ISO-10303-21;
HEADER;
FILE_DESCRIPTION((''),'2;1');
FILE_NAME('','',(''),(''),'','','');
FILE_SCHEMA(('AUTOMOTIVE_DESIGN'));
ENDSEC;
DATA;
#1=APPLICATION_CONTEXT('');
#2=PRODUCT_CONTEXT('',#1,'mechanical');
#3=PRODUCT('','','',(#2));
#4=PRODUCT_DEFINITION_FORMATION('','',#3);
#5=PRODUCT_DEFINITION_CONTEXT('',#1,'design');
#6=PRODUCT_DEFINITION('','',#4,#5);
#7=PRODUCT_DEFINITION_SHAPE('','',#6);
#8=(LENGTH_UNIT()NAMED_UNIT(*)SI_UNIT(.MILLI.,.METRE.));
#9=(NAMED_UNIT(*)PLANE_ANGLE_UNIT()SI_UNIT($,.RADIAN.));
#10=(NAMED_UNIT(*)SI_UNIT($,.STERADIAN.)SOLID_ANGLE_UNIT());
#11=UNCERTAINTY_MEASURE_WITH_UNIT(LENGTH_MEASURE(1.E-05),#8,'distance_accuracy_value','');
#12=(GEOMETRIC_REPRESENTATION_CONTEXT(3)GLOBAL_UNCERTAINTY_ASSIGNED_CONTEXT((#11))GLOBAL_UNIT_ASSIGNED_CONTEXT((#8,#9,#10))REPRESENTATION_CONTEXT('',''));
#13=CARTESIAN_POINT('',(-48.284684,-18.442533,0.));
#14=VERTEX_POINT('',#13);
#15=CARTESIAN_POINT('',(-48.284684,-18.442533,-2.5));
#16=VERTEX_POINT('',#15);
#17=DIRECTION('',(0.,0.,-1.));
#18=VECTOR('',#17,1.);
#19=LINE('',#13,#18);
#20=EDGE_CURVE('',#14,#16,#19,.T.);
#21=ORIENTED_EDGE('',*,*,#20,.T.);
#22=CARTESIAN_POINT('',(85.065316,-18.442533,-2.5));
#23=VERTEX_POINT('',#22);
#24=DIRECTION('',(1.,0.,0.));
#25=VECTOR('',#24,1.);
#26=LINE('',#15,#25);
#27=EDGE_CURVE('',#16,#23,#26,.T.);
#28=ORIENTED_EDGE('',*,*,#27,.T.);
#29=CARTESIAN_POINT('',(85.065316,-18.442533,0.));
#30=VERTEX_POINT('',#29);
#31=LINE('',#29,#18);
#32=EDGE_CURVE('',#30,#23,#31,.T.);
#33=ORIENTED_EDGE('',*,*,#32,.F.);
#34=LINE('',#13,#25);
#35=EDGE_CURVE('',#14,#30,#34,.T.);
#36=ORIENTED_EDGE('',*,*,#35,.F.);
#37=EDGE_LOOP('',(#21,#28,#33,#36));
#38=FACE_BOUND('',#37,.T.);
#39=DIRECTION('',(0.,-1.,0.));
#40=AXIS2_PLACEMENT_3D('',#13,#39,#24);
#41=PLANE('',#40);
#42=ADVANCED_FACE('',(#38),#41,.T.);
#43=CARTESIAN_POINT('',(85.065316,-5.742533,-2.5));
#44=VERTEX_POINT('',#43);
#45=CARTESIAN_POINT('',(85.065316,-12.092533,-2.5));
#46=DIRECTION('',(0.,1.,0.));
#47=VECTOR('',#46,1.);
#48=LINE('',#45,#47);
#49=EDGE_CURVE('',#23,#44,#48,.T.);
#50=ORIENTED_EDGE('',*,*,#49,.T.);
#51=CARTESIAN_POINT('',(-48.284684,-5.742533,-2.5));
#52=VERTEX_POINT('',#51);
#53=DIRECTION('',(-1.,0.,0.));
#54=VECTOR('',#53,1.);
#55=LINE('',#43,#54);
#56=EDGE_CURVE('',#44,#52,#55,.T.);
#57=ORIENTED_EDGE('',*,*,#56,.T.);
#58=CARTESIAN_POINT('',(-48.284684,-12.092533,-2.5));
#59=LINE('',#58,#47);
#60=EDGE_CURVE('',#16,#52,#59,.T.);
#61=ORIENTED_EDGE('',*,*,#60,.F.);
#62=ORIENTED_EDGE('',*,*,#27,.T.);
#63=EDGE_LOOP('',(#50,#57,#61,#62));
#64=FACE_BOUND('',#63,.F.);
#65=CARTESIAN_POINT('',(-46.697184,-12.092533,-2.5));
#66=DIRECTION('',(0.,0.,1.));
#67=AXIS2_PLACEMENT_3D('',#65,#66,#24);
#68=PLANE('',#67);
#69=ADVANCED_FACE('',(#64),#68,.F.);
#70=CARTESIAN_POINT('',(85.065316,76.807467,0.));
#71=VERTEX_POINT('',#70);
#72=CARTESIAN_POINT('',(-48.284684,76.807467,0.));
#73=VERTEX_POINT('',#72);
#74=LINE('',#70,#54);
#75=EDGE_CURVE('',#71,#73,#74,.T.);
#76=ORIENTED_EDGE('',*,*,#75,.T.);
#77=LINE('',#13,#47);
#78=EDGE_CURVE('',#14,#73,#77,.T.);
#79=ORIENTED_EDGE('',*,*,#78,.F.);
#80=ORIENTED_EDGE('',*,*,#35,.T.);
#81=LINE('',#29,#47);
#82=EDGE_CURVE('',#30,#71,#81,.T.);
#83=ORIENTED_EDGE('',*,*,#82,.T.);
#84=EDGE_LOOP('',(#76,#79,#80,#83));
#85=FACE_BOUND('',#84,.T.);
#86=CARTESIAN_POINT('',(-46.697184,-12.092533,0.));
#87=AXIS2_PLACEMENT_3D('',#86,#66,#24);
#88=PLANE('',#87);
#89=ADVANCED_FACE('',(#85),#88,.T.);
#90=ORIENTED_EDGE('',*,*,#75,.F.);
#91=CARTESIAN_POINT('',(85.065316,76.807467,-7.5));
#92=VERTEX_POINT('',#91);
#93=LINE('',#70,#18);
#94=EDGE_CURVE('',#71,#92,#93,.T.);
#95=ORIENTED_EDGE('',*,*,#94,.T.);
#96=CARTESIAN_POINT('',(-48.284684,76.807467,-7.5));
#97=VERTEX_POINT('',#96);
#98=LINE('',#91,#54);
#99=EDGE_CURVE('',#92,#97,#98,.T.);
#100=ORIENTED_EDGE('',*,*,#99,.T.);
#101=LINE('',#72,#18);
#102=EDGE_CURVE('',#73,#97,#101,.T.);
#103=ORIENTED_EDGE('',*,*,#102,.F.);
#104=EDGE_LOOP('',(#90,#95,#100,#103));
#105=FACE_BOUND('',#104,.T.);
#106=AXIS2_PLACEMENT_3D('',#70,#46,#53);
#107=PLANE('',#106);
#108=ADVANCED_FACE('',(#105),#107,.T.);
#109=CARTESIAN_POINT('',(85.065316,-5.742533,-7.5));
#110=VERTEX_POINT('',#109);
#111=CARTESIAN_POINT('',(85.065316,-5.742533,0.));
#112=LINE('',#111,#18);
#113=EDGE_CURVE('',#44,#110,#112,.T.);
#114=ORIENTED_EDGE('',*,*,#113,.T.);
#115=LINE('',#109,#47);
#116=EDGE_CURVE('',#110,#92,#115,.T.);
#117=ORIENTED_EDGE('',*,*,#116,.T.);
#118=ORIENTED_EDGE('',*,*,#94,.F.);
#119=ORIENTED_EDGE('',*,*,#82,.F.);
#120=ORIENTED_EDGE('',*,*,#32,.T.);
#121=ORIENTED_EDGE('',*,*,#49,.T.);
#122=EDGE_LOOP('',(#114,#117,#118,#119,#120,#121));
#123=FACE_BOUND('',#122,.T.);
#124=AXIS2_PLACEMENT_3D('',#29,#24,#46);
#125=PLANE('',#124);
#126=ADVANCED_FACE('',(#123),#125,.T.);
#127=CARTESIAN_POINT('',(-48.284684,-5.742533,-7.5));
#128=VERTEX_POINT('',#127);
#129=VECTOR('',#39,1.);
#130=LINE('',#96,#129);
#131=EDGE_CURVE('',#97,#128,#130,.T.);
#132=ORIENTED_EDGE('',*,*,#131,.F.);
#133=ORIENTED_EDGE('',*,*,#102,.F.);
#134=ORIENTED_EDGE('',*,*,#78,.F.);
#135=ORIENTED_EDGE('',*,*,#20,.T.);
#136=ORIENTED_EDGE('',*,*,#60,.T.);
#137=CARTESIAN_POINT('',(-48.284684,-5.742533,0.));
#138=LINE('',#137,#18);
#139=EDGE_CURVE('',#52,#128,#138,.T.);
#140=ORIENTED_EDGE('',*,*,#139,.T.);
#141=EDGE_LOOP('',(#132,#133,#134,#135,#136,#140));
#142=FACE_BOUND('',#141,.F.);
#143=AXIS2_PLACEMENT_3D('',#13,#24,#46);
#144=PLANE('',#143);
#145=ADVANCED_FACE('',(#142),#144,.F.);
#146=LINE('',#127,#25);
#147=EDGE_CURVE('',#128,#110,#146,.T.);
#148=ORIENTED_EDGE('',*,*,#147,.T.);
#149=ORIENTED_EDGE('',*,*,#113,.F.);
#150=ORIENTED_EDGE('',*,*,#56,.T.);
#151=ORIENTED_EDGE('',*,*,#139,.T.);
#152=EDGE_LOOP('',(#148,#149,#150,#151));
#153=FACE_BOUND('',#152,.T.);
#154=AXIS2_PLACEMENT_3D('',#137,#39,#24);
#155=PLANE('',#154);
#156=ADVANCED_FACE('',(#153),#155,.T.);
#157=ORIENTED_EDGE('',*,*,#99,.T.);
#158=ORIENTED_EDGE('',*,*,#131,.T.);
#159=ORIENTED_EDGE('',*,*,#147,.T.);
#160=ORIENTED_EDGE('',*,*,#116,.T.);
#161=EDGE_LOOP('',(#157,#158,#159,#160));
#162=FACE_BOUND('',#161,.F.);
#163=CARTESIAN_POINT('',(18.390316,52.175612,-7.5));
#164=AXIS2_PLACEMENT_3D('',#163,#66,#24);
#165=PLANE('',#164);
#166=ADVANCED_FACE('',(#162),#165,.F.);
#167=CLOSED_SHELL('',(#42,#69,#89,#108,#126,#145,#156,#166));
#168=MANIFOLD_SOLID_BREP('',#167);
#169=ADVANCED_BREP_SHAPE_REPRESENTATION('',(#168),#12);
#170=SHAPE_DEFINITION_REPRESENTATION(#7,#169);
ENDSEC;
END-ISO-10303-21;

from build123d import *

# Parameters (mm, degrees)
F0_W     = 127
F0_H     = 79.375
F1_DEPTH = 7.5
F0_W_2   = 3.175
F0_H_2   = 12.7
F2_DEPTH = 2.5


with BuildPart() as f1:
    # F0 (on Top) → F1 (new body)
    with BuildSketch(Plane.XY):
        Polygon((85.0653162807, 76.807467067), (-48.2846837193, 76.807467067), (-48.2846837193, -5.742532933), (-45.1096837193, -5.742532933), (-45.1096837193, 73.632467067), (81.8903162807, 73.632467067), (81.8903162807, -5.742532933), (85.0653162807, -5.742532933), align=None)
        with Locations((18.3903162807, 33.944967067)):
            Rectangle(F0_W, F0_H)
    extrude(amount=-F1_DEPTH)

    # F0 (on Top) → F2 (join)
    with BuildSketch(Plane.XY):
        with Locations((-46.6971837193, -12.092532933)):
            Rectangle(F0_W_2, F0_H_2)
        with Locations((83.4778162807, -12.092532933)):
            Rectangle(F0_W_2, F0_H_2)
        with Locations((18.3903162807, -12.092532933)):
            Rectangle(F0_W, F0_H_2)
    extrude(amount=-F2_DEPTH)


solid = f1.part
